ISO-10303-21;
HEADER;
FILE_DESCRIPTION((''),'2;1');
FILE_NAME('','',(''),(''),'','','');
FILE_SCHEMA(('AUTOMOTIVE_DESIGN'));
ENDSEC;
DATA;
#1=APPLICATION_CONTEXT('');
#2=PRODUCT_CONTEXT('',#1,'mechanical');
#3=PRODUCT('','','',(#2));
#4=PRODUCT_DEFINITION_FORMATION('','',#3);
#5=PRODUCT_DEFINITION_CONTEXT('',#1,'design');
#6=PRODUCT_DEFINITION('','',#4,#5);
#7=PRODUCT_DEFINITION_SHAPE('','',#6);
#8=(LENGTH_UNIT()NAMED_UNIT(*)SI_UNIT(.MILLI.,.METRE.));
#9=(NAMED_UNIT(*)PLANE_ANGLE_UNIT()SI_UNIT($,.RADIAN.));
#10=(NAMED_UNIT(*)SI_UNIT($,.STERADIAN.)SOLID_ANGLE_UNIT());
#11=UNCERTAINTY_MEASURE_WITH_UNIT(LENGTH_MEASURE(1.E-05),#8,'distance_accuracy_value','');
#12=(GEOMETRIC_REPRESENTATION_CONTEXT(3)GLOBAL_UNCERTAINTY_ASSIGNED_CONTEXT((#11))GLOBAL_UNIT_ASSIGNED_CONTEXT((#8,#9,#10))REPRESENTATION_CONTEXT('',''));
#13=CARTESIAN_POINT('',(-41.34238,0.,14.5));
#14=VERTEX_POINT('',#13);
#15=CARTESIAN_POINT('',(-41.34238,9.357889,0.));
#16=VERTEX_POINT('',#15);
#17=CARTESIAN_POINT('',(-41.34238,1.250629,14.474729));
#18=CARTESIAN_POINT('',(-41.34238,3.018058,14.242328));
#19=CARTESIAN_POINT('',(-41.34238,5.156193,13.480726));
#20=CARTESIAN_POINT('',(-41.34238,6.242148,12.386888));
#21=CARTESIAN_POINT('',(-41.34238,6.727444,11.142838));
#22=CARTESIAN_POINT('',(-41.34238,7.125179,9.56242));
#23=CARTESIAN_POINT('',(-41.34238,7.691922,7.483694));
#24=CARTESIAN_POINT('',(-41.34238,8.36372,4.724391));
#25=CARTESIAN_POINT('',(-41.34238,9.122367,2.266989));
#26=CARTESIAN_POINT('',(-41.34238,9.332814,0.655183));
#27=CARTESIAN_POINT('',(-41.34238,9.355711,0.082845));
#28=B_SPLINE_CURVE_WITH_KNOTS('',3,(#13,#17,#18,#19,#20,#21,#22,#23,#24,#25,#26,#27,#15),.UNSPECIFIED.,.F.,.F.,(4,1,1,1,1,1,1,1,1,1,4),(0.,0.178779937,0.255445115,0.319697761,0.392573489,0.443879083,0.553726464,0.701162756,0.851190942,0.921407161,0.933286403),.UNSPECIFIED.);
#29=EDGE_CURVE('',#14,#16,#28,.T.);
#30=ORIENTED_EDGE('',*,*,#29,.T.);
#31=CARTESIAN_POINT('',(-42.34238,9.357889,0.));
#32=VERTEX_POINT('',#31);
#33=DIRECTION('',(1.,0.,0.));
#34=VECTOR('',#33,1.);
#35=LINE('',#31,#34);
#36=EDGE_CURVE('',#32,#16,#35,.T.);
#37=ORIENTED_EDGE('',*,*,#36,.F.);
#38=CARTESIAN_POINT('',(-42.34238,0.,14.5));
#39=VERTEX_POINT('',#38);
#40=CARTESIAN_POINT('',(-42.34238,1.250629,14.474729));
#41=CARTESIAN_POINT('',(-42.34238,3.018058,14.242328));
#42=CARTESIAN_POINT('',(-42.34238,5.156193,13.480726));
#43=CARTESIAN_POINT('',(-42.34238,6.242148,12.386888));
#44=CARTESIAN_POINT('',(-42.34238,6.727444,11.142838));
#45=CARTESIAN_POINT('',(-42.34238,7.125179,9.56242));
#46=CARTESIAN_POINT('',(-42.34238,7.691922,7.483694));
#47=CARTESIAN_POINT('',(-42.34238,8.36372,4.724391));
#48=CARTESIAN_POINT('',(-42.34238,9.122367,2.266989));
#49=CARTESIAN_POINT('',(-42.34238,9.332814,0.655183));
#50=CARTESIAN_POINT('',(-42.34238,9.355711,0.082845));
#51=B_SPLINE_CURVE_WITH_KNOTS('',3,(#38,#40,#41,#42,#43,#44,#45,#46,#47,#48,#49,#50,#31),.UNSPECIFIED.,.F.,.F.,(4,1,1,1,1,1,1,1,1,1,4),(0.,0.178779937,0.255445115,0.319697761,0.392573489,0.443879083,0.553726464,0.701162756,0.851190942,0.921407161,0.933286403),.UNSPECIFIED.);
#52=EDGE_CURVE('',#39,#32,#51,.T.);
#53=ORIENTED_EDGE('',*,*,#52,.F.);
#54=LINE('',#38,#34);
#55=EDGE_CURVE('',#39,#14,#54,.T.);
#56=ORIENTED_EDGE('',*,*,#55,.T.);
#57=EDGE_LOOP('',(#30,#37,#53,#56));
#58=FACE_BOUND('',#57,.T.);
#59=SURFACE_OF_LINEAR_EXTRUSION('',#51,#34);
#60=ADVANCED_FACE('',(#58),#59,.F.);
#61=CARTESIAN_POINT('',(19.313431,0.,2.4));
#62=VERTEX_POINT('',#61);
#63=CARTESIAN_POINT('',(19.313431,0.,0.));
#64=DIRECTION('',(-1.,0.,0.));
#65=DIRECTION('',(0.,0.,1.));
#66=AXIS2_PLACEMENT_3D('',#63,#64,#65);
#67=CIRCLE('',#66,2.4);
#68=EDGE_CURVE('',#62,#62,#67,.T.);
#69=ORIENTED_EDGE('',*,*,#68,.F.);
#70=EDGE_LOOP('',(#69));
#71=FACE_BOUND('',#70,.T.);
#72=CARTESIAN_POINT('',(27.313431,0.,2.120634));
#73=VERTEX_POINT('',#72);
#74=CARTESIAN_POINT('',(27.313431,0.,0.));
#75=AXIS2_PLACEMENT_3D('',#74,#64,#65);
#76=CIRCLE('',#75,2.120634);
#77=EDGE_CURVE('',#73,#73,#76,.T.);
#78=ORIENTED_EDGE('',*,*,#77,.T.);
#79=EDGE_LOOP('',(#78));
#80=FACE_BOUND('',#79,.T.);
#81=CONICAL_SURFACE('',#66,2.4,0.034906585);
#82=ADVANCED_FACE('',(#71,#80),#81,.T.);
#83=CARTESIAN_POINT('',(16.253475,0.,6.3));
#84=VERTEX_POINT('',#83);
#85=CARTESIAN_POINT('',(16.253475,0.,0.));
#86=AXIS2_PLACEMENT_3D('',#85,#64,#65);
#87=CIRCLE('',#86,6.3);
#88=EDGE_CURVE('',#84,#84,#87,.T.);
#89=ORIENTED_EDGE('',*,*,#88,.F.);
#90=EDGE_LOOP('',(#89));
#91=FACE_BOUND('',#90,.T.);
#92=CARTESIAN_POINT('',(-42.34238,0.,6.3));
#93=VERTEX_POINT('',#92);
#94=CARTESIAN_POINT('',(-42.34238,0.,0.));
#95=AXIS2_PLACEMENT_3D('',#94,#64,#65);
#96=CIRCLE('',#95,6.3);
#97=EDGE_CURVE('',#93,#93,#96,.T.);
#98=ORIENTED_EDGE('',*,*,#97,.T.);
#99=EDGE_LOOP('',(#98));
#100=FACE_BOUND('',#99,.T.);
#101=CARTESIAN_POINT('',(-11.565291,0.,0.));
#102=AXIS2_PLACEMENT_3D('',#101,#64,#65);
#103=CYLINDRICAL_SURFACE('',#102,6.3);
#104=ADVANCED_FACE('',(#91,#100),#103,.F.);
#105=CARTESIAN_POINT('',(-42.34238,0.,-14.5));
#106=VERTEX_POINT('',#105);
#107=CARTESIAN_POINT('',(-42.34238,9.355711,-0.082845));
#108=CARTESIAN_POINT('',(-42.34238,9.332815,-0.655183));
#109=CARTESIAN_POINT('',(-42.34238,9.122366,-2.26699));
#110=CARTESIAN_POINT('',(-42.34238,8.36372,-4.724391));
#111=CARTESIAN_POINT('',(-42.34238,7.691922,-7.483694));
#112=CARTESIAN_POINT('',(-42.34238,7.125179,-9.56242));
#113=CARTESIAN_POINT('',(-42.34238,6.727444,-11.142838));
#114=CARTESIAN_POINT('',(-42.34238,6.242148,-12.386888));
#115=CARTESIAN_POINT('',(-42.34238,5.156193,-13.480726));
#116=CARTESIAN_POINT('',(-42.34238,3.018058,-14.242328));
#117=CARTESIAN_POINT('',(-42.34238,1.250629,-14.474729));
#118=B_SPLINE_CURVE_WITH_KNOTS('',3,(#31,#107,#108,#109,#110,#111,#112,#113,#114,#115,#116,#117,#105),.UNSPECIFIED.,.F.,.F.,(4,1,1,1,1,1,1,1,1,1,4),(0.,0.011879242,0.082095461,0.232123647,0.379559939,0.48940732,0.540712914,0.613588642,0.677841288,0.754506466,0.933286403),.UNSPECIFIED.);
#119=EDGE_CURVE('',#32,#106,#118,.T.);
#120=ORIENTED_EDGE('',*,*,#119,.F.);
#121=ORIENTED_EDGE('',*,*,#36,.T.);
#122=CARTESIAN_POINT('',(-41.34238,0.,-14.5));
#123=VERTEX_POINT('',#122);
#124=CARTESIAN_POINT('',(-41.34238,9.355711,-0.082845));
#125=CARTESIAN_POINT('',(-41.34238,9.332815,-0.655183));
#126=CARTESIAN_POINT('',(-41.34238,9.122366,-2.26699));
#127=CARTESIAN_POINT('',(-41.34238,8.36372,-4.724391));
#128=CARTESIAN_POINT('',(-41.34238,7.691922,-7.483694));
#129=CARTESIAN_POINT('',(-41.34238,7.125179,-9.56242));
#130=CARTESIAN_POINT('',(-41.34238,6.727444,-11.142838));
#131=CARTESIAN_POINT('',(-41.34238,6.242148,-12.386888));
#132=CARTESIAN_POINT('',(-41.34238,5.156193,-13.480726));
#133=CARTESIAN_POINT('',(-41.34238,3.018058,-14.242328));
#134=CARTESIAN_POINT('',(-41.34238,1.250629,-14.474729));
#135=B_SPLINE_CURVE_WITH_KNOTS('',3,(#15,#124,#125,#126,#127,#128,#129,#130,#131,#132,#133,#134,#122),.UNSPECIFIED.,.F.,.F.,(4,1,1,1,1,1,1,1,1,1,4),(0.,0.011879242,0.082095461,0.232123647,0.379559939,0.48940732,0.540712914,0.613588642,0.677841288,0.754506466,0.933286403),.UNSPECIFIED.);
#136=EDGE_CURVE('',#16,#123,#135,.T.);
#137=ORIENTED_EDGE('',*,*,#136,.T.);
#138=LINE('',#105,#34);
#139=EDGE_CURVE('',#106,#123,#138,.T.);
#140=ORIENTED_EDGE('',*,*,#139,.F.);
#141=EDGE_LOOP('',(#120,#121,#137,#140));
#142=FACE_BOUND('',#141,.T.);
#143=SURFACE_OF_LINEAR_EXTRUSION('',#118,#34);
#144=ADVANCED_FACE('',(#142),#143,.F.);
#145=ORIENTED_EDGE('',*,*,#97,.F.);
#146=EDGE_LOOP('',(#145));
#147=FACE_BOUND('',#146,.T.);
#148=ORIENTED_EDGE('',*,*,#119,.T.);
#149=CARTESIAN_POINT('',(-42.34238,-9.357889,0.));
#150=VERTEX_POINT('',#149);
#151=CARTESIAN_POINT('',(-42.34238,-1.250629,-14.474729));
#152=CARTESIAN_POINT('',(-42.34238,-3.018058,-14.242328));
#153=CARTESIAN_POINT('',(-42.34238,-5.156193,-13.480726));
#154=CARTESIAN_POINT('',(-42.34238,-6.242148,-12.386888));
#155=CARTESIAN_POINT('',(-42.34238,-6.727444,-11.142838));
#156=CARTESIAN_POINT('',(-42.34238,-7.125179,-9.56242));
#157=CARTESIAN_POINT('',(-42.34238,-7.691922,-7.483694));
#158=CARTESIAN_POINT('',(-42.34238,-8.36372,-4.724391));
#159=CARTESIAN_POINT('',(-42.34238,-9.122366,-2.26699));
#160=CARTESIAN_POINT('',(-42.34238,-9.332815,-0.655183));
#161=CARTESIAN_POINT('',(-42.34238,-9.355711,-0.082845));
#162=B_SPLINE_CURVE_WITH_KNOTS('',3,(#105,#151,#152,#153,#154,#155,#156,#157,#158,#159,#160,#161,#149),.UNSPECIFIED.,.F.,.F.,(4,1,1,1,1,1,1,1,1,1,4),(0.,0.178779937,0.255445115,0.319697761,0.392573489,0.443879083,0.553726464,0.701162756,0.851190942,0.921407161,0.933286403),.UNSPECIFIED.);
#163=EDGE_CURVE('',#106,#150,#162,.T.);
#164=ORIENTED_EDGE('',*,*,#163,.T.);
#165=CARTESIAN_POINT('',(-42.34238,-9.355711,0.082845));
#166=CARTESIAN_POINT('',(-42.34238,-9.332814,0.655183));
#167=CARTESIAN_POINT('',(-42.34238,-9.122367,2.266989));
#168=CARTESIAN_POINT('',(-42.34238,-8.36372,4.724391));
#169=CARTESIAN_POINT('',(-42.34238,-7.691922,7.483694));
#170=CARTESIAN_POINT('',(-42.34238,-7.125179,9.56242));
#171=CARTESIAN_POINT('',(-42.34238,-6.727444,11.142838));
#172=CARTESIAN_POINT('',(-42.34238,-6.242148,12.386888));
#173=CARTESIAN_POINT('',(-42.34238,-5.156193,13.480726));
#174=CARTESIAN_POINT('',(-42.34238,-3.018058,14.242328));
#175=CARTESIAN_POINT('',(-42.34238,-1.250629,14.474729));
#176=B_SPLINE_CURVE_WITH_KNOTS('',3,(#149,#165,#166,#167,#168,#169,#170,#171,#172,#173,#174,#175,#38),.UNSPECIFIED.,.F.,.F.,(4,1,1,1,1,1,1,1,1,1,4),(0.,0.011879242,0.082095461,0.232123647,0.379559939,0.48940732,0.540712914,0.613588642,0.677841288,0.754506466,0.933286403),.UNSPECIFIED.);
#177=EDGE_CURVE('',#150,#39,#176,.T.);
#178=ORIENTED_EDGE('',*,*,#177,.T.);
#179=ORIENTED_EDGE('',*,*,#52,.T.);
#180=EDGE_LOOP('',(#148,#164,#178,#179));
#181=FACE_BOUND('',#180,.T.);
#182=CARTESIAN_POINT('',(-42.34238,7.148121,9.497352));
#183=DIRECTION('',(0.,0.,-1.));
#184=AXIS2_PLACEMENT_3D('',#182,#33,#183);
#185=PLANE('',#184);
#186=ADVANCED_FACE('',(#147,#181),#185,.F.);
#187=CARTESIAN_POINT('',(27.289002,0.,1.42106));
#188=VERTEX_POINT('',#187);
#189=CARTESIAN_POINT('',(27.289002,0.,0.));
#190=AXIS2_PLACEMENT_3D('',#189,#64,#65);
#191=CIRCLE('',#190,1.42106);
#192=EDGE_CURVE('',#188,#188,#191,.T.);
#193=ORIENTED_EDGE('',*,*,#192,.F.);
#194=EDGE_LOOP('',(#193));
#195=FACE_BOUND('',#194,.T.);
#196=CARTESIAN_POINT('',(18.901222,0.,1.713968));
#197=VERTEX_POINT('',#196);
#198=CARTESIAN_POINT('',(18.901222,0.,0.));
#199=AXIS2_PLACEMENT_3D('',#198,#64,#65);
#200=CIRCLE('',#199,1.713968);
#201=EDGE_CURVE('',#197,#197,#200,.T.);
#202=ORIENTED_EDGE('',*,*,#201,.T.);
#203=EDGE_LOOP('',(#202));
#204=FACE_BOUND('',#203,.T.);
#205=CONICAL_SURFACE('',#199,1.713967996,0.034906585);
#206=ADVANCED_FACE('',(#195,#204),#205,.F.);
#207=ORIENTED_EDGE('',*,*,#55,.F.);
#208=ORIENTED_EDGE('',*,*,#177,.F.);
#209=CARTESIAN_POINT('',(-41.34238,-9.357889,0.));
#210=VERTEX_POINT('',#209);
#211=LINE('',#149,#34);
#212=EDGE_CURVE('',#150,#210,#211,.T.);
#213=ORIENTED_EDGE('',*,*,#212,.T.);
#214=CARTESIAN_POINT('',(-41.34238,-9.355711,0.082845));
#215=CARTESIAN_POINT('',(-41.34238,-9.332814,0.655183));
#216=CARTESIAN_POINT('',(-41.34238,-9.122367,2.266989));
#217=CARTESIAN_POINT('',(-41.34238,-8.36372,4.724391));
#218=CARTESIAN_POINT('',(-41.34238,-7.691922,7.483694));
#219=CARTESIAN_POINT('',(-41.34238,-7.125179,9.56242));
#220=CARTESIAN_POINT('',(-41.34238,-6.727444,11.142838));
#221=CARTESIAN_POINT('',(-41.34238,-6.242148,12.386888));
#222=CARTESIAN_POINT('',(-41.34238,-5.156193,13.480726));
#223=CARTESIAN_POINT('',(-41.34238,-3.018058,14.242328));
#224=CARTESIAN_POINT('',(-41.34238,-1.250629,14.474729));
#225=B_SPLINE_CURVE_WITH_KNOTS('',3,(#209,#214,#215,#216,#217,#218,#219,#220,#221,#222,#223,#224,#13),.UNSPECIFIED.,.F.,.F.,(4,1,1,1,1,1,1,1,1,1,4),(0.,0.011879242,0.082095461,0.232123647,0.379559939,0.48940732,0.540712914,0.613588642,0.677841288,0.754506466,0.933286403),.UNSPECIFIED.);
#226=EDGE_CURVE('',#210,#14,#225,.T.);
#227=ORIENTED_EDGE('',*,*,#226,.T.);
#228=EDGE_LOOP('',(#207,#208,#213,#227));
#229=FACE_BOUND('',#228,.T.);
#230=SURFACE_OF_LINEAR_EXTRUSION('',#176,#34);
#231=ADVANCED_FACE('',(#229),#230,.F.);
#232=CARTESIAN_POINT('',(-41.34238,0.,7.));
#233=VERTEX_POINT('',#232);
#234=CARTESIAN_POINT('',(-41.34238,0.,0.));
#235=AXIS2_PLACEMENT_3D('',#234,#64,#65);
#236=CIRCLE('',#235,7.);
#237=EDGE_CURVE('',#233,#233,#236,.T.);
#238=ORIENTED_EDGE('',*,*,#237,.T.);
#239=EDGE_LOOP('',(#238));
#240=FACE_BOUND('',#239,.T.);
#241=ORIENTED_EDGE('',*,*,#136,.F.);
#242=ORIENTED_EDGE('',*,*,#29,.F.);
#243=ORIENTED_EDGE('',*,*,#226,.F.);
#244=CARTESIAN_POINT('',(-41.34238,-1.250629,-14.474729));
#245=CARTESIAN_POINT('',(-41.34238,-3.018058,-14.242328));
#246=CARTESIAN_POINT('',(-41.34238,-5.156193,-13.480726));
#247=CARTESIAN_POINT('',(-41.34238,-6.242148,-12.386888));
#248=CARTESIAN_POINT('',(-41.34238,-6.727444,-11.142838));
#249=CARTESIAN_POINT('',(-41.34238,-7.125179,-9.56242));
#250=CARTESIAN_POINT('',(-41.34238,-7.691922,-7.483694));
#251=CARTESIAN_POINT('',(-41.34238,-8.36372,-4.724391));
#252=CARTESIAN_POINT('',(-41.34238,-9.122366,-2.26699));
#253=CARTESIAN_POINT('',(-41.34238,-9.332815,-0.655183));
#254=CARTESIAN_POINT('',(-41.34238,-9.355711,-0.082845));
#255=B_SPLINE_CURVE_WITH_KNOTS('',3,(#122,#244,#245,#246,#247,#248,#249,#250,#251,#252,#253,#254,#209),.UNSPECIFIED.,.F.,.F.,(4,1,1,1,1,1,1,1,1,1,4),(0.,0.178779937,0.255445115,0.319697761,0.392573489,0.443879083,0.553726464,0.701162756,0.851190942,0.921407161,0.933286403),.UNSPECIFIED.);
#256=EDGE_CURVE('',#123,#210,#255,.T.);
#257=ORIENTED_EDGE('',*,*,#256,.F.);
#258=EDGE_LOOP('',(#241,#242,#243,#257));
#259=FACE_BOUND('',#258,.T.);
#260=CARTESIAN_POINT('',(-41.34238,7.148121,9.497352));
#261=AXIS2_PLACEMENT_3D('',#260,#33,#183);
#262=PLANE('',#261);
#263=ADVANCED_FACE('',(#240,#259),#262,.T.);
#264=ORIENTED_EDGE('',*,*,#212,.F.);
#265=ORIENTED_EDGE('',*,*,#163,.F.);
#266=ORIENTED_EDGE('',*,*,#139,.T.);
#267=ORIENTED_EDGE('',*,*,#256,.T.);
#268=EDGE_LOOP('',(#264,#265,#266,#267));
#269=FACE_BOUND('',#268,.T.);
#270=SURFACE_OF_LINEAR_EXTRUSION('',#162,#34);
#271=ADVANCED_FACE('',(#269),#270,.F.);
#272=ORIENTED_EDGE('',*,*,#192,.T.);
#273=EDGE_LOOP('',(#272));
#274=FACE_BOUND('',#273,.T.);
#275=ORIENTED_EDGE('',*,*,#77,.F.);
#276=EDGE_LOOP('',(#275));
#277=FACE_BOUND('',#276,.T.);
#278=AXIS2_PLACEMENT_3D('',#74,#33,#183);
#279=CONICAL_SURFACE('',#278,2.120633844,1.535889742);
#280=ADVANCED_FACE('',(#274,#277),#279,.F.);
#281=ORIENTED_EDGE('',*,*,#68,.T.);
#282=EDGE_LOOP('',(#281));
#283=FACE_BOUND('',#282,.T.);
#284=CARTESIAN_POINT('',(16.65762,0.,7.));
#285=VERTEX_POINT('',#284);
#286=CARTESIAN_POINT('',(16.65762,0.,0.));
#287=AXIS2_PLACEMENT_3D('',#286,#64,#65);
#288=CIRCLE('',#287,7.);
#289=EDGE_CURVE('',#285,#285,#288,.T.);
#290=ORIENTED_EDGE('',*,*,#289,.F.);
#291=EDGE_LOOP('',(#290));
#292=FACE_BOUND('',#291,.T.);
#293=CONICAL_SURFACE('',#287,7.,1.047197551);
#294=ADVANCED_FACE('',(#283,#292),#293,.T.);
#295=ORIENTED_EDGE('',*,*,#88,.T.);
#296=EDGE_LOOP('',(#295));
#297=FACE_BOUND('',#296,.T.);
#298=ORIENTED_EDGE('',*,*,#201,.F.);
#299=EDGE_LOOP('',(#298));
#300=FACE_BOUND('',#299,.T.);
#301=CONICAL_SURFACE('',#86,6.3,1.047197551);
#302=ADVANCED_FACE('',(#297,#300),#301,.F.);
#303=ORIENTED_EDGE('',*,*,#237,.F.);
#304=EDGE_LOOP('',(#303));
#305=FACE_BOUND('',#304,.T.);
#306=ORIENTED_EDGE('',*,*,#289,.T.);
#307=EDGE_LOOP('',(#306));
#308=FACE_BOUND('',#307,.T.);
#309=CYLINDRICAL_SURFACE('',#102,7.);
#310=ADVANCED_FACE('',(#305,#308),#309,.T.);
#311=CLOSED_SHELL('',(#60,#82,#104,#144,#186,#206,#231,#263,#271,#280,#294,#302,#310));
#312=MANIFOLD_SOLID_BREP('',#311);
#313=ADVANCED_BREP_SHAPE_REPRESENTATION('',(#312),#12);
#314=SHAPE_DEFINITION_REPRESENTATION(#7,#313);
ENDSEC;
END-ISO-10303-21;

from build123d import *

# Parameters (mm, degrees)
SKETCH_2_R      = 6.3
EXTRUDE_1_DEPTH = 1


with BuildPart() as part:
    # Эскиз1 → Повернуть-Тонкостенный3 (revolve)
    with BuildSketch(Plane.XY):
        Polygon((-41.34237999, 7), (16.65762001, 7), (19.313431248, 2.4), (27.313431248, 2.120633844), (27.2890016, 1.421060265), (18.901221633, 1.713967996), (16.253474821, 6.3), (-41.34237999, 6.3), align=None)
    revolve(axis=Axis((-11.565290599, 0, 0), (1, 0, 0)))

    # Эскиз2 → Бобышка-Вытянуть1 (add)
    with BuildSketch(Plane.ZY.offset(41.34237999)):
        with BuildLine():
            add(Edge.make_bspline(
                [(-14.5, 0), (-14.474728727, -1.250629482), (-14.242328004, -3.018058456), (-13.480726208, -5.156192857), (-12.386888331, -6.242148201), (-11.142838362, -6.727444369), (-9.562420274, -7.125179123), (-7.483693891, -7.691921698), (-4.724391308, -8.363720089), (-2.266989559, -9.122366404), (-0.655182959, -9.33281469), (-0.082845288, -9.355711433), (-2e-08, -9.357888542)],
                knots=[0, 0, 0, 0, 0.178779937, 0.255445115, 0.319697761, 0.392573489, 0.443879083, 0.553726464, 0.701162756, 0.851190942, 0.921407161, 0.933286403, 0.933286403, 0.933286403, 0.933286403], degree=3))
            add(Edge.make_bspline(
                [(14.5, 0), (14.474728734, -1.250629483), (14.242328006, -3.018058455), (13.480726218, -5.156192862), (12.386888336, -6.242148209), (11.142838364, -6.727444374), (9.562420275, -7.125179117), (7.483693885, -7.691921727), (4.724391348, -8.363719948), (2.266989446, -9.122366813), (0.655183079, -9.332814217), (0.082845248, -9.355711433), (-2e-08, -9.357888542)],
                knots=[0, 0, 0, 0, 0.178779937, 0.255445115, 0.319697761, 0.392573489, 0.443879083, 0.553726464, 0.701162756, 0.851190942, 0.921407161, 0.933286403, 0.933286403, 0.933286403, 0.933286403], degree=3))
            add(Edge.make_bspline(
                [(14.5, 0), (14.474728734, 1.250629483), (14.242328006, 3.018058455), (13.480726218, 5.156192862), (12.386888336, 6.242148209), (11.142838364, 6.727444374), (9.562420275, 7.125179117), (7.483693885, 7.691921727), (4.724391348, 8.363719948), (2.266989446, 9.122366813), (0.655183079, 9.332814217), (0.082845248, 9.355711433), (-2e-08, 9.357888542)],
                knots=[0, 0, 0, 0, 0.178779937, 0.255445115, 0.319697761, 0.392573489, 0.443879083, 0.553726464, 0.701162756, 0.851190942, 0.921407161, 0.933286403, 0.933286403, 0.933286403, 0.933286403], degree=3))
            add(Edge.make_bspline(
                [(-14.5, 0), (-14.474728727, 1.250629482), (-14.242328004, 3.018058456), (-13.480726208, 5.156192857), (-12.386888331, 6.242148201), (-11.142838362, 6.727444369), (-9.562420274, 7.125179123), (-7.483693891, 7.691921698), (-4.724391308, 8.363720089), (-2.266989559, 9.122366404), (-0.655182959, 9.33281469), (-0.082845288, 9.355711433), (-2e-08, 9.357888542)],
                knots=[0, 0, 0, 0, 0.178779937, 0.255445115, 0.319697761, 0.392573489, 0.443879083, 0.553726464, 0.701162756, 0.851190942, 0.921407161, 0.933286403, 0.933286403, 0.933286403, 0.933286403], degree=3))
        make_face()
        Circle(SKETCH_2_R, mode=Mode.SUBTRACT)
    extrude(amount=EXTRUDE_1_DEPTH)


solid = part.part
